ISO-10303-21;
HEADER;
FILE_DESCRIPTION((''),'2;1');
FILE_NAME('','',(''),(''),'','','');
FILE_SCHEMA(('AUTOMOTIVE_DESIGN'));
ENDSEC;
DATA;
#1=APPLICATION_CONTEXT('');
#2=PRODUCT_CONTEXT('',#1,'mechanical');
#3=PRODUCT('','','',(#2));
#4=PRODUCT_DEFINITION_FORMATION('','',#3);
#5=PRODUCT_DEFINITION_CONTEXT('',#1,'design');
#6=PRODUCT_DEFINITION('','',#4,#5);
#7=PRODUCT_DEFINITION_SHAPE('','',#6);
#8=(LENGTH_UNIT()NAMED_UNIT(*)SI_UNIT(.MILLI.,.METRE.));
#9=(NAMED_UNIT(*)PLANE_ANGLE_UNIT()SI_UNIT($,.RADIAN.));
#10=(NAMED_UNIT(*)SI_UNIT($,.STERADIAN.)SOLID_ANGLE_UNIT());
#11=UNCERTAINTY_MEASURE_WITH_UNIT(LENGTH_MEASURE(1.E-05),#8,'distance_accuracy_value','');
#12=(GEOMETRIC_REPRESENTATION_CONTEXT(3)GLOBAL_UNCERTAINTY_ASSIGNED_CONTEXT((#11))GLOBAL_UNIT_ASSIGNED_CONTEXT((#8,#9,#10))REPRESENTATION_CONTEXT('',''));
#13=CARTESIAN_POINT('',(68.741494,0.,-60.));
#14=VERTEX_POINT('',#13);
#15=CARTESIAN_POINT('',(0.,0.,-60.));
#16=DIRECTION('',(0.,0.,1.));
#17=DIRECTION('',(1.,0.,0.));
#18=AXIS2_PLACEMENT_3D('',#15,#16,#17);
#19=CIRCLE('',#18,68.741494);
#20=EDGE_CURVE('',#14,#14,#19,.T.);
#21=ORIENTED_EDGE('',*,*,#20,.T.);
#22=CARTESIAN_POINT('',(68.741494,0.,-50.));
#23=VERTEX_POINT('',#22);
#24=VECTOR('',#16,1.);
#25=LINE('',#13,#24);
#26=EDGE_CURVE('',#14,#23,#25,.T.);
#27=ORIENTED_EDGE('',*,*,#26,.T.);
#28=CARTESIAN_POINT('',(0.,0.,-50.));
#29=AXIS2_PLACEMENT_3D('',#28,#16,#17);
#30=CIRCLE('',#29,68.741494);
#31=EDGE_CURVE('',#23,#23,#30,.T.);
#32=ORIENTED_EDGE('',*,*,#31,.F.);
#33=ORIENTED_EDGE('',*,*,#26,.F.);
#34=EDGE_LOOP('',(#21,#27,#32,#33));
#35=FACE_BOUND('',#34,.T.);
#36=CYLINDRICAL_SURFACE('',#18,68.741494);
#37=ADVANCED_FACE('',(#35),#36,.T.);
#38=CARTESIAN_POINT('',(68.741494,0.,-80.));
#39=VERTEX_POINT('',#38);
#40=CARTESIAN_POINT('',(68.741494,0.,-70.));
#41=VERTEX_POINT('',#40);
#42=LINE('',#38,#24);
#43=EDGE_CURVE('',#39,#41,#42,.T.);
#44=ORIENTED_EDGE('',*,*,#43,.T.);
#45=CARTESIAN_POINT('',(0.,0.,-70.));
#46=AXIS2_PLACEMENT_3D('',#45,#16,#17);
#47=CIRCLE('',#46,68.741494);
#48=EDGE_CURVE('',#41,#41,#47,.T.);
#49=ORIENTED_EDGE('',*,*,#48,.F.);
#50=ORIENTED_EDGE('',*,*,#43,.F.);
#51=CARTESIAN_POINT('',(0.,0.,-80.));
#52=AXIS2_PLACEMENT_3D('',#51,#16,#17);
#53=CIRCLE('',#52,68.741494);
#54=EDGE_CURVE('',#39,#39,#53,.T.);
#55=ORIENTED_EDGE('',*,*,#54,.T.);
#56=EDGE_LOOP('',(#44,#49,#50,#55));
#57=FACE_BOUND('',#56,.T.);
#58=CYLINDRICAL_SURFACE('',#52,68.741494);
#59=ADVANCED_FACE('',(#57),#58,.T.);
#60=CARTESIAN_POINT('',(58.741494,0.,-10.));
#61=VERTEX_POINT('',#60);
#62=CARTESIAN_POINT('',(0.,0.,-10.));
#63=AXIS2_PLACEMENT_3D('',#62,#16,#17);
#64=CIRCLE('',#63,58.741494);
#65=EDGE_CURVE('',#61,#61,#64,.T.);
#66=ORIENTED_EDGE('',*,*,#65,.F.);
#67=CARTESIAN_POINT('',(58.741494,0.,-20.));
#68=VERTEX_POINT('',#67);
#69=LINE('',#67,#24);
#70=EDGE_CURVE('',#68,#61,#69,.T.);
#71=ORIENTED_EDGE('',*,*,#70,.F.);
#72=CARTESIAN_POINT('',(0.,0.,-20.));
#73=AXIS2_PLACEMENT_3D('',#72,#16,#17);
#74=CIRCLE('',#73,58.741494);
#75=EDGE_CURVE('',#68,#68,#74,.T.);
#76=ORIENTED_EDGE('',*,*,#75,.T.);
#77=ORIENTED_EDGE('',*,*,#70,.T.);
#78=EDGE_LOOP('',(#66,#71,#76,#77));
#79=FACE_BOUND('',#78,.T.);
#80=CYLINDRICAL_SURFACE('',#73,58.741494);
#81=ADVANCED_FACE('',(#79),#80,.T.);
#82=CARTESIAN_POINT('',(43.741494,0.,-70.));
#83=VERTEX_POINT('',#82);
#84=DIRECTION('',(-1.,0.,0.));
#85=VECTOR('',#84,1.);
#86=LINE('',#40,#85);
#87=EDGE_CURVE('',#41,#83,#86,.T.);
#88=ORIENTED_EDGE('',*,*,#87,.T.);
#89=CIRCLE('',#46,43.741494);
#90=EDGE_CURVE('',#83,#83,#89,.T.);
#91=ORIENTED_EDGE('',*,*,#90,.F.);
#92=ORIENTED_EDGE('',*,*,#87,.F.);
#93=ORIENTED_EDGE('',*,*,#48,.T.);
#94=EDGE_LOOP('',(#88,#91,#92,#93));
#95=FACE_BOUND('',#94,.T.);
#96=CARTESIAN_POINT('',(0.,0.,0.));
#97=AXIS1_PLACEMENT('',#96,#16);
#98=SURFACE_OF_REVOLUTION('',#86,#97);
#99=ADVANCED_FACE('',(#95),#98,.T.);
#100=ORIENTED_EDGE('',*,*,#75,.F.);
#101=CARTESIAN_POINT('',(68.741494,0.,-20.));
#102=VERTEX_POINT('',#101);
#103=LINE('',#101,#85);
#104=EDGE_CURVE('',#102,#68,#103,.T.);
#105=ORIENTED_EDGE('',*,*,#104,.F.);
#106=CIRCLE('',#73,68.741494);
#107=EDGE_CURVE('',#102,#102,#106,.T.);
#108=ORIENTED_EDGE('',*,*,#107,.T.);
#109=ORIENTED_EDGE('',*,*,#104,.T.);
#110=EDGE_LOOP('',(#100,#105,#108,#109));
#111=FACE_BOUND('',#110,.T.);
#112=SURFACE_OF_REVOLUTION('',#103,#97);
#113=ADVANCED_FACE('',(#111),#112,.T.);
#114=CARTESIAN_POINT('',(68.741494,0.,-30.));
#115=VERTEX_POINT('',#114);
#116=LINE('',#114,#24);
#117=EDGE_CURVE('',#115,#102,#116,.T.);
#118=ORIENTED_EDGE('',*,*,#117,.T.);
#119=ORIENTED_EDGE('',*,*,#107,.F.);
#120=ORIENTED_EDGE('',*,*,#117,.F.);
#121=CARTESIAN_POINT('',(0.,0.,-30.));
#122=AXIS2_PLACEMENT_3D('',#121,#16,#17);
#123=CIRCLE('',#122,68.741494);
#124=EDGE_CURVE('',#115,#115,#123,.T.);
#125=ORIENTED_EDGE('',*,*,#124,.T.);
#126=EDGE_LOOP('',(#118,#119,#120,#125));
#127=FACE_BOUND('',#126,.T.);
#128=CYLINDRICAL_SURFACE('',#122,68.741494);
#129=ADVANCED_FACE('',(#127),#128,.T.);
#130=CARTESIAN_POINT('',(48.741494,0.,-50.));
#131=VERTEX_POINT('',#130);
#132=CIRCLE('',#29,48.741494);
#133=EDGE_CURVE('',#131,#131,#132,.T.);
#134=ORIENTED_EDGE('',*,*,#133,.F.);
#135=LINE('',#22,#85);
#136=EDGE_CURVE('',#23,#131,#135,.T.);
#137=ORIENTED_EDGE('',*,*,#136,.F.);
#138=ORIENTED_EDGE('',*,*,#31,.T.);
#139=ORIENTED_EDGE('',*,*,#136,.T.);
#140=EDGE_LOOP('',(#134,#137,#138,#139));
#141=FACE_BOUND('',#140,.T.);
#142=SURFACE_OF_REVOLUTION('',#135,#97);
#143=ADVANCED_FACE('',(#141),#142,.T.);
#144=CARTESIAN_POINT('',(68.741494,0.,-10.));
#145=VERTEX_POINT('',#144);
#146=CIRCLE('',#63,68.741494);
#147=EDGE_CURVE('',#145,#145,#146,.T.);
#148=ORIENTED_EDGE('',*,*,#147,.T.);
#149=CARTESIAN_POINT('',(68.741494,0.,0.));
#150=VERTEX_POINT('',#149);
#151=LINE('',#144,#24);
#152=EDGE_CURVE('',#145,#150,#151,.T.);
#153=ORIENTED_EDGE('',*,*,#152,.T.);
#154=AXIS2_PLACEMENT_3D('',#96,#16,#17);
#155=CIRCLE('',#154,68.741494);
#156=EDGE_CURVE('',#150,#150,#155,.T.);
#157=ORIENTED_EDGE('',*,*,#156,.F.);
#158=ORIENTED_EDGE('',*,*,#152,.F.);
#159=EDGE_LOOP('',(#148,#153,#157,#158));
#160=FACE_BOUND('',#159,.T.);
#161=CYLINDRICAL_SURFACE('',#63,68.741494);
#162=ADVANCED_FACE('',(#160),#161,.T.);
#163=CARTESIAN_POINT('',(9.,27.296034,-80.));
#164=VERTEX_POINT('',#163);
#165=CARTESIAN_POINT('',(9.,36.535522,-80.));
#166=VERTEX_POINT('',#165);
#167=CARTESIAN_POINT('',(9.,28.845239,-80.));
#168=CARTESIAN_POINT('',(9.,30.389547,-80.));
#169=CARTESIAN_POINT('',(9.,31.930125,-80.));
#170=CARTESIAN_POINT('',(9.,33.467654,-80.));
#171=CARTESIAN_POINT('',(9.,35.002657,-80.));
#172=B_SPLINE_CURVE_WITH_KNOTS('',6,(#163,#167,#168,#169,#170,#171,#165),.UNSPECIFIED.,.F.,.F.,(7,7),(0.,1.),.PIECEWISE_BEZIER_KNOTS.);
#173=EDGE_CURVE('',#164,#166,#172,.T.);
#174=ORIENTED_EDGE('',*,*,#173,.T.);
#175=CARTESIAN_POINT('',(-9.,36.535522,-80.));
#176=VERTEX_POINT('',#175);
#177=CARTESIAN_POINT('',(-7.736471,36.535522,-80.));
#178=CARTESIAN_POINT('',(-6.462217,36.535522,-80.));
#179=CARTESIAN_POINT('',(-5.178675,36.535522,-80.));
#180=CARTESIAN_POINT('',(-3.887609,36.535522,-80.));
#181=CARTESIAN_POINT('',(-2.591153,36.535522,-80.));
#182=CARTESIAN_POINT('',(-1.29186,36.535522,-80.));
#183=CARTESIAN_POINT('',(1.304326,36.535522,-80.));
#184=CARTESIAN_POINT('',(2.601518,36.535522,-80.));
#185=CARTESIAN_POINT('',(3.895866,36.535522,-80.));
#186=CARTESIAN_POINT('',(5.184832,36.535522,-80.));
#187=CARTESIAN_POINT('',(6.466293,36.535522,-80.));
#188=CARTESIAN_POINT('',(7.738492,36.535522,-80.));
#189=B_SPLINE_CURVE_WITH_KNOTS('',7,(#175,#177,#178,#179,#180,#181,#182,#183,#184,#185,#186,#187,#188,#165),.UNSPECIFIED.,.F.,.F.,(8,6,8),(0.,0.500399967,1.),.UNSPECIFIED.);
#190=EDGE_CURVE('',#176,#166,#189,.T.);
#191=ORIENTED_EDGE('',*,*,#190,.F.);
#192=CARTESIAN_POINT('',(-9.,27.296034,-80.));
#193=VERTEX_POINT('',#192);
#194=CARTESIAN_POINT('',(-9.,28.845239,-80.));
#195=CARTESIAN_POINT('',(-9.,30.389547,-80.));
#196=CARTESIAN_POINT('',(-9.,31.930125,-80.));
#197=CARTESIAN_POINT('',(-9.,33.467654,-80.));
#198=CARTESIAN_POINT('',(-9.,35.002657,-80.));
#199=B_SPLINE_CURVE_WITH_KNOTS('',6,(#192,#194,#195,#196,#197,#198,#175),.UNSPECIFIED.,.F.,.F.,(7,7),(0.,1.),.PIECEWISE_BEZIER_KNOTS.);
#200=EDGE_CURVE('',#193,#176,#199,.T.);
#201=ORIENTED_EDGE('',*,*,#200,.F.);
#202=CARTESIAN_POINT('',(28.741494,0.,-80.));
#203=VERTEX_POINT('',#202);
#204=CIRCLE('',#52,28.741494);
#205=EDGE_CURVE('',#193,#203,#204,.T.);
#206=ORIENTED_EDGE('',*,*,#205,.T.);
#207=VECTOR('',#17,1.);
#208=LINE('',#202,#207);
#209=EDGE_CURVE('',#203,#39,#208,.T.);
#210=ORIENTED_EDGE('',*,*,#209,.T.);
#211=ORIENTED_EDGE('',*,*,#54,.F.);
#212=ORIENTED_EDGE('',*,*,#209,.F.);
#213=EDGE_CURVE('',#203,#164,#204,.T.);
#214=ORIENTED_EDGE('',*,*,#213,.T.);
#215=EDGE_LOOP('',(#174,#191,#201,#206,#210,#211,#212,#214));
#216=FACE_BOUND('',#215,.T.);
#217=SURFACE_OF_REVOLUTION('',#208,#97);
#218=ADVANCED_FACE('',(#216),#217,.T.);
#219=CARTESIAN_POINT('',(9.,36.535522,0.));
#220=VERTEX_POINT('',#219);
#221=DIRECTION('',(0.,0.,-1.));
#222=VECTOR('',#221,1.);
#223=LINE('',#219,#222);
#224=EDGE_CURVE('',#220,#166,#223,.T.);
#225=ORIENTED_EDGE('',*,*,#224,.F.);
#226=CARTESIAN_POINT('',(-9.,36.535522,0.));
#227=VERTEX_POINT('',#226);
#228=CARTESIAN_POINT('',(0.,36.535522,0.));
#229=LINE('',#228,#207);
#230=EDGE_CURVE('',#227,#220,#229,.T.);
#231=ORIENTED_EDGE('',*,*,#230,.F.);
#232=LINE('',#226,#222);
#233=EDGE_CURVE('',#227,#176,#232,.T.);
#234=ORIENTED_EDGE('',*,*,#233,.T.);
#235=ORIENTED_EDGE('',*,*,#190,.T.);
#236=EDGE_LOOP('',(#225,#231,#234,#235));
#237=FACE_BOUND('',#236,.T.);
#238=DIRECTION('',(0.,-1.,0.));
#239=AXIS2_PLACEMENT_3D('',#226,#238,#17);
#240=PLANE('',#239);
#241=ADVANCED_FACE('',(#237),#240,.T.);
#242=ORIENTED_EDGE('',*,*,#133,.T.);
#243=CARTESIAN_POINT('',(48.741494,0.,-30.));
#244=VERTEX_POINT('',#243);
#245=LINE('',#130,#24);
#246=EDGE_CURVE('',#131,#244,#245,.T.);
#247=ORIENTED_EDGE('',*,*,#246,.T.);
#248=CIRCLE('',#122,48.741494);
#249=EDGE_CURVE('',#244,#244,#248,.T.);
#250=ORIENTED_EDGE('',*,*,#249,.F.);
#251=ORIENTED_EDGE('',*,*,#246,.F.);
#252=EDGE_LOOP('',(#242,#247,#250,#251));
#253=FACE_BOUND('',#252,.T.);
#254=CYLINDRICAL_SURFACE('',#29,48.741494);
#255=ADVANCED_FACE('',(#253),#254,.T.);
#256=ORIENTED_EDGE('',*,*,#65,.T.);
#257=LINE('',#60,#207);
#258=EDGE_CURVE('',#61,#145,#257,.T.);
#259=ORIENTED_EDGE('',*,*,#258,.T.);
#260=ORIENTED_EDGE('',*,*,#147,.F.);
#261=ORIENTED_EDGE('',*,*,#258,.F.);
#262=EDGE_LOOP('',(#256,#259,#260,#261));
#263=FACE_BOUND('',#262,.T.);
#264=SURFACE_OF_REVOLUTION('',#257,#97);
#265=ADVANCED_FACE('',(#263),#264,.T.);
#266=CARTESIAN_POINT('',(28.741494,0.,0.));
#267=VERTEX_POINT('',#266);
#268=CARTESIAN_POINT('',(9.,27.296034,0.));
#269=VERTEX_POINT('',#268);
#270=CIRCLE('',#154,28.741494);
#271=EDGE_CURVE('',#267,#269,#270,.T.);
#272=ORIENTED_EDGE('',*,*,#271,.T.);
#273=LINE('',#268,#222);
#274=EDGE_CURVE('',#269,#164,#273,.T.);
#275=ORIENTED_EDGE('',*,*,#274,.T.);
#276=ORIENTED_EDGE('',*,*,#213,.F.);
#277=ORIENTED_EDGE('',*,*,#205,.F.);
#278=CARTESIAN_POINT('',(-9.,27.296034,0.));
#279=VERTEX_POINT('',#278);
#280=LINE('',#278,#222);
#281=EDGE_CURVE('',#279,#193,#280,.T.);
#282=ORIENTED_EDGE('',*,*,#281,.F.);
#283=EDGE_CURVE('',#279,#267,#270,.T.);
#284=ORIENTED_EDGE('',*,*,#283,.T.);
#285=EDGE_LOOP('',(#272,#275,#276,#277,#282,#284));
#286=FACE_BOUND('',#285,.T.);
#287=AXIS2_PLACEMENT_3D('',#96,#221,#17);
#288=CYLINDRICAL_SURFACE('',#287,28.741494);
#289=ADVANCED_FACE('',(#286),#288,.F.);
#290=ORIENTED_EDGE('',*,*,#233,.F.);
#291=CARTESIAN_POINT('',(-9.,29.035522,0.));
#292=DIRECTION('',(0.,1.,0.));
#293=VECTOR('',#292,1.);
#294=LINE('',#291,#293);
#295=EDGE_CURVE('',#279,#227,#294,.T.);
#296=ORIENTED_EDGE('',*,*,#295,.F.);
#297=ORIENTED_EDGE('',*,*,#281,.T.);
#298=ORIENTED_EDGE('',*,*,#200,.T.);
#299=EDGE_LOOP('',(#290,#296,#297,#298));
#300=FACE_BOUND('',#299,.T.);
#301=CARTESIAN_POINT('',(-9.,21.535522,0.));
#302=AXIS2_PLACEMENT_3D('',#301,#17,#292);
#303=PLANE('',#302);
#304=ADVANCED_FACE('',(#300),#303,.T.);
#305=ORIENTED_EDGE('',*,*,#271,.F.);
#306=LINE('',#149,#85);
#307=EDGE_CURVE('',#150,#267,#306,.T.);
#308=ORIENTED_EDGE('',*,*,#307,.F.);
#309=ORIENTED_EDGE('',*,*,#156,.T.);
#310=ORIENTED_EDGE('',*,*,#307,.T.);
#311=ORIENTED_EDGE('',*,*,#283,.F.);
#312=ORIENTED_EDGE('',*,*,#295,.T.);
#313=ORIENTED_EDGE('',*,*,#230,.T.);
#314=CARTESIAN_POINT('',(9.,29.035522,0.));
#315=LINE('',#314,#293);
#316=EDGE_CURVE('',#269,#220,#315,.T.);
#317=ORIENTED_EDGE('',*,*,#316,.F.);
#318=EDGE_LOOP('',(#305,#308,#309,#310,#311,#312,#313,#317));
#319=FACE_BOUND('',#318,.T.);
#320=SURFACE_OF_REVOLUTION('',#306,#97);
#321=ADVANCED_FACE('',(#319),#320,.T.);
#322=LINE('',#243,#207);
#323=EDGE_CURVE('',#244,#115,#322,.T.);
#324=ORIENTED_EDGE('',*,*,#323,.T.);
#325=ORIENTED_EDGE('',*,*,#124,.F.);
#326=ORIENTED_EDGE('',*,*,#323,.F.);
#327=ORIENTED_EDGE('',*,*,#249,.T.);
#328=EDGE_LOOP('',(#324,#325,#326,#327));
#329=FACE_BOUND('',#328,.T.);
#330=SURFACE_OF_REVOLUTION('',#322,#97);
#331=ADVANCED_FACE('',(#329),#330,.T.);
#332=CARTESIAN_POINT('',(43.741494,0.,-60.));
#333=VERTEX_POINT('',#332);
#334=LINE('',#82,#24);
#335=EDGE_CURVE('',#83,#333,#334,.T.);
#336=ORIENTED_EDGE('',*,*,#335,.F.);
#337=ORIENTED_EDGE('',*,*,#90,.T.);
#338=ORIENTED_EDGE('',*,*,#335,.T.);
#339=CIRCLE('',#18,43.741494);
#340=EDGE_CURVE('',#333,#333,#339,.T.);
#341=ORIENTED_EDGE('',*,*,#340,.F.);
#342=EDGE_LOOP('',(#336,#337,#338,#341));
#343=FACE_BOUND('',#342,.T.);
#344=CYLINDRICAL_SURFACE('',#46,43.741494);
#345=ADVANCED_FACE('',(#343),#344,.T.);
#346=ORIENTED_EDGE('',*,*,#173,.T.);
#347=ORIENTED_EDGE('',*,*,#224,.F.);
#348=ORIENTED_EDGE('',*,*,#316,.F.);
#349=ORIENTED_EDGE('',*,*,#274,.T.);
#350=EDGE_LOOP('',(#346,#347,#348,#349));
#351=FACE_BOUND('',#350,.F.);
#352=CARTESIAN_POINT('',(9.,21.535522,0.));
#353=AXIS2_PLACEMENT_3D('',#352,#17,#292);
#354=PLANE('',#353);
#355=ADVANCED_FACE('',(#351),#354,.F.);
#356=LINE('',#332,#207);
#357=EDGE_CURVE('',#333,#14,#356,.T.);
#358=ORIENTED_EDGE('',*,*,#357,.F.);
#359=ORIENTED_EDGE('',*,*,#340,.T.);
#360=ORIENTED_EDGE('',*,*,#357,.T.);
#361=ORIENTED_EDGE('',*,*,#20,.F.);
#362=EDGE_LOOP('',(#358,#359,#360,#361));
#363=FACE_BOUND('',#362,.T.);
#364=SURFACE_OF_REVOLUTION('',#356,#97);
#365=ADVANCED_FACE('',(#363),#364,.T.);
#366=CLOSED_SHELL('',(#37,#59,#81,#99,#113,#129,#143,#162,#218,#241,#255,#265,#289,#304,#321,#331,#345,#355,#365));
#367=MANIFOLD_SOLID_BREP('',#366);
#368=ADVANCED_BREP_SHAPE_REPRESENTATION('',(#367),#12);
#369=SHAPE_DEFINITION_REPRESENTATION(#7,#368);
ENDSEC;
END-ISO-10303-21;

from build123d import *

# Parameters (mm, degrees)
F3_W     = 18
F3_H     = 15
F4_DEPTH = 80.001


with BuildPart() as f2:
    # F2: sweep along a path in F1
    with BuildLine(Plane.XY) as f2_path:
        CenterArc((0, 0), 28.500317, 0, 360)
    # F0 (on Front) → F2 (sweep)
    with BuildSketch(Plane.XZ):
        Polygon((68.741494, 0), (28.741494, 0), (28.741494, -80), (68.741494, -80), (68.741494, -70), (43.741494, -70), (43.741494, -60), (68.741494, -60), (68.741494, -50), (48.741494, -50), (48.741494, -30), (68.741494, -30), (68.741494, -20), (58.741494, -20), (58.741494, -10), (68.741494, -10), align=None)
    sweep(path=f2_path.line)

    # F3 (on Top) → F4 (cut, through all)
    with BuildSketch(Plane.XY):
        with Locations((0, 29.035522)):
            Rectangle(F3_W, F3_H)
    extrude(amount=-F4_DEPTH, mode=Mode.SUBTRACT)


solid = f2.part
